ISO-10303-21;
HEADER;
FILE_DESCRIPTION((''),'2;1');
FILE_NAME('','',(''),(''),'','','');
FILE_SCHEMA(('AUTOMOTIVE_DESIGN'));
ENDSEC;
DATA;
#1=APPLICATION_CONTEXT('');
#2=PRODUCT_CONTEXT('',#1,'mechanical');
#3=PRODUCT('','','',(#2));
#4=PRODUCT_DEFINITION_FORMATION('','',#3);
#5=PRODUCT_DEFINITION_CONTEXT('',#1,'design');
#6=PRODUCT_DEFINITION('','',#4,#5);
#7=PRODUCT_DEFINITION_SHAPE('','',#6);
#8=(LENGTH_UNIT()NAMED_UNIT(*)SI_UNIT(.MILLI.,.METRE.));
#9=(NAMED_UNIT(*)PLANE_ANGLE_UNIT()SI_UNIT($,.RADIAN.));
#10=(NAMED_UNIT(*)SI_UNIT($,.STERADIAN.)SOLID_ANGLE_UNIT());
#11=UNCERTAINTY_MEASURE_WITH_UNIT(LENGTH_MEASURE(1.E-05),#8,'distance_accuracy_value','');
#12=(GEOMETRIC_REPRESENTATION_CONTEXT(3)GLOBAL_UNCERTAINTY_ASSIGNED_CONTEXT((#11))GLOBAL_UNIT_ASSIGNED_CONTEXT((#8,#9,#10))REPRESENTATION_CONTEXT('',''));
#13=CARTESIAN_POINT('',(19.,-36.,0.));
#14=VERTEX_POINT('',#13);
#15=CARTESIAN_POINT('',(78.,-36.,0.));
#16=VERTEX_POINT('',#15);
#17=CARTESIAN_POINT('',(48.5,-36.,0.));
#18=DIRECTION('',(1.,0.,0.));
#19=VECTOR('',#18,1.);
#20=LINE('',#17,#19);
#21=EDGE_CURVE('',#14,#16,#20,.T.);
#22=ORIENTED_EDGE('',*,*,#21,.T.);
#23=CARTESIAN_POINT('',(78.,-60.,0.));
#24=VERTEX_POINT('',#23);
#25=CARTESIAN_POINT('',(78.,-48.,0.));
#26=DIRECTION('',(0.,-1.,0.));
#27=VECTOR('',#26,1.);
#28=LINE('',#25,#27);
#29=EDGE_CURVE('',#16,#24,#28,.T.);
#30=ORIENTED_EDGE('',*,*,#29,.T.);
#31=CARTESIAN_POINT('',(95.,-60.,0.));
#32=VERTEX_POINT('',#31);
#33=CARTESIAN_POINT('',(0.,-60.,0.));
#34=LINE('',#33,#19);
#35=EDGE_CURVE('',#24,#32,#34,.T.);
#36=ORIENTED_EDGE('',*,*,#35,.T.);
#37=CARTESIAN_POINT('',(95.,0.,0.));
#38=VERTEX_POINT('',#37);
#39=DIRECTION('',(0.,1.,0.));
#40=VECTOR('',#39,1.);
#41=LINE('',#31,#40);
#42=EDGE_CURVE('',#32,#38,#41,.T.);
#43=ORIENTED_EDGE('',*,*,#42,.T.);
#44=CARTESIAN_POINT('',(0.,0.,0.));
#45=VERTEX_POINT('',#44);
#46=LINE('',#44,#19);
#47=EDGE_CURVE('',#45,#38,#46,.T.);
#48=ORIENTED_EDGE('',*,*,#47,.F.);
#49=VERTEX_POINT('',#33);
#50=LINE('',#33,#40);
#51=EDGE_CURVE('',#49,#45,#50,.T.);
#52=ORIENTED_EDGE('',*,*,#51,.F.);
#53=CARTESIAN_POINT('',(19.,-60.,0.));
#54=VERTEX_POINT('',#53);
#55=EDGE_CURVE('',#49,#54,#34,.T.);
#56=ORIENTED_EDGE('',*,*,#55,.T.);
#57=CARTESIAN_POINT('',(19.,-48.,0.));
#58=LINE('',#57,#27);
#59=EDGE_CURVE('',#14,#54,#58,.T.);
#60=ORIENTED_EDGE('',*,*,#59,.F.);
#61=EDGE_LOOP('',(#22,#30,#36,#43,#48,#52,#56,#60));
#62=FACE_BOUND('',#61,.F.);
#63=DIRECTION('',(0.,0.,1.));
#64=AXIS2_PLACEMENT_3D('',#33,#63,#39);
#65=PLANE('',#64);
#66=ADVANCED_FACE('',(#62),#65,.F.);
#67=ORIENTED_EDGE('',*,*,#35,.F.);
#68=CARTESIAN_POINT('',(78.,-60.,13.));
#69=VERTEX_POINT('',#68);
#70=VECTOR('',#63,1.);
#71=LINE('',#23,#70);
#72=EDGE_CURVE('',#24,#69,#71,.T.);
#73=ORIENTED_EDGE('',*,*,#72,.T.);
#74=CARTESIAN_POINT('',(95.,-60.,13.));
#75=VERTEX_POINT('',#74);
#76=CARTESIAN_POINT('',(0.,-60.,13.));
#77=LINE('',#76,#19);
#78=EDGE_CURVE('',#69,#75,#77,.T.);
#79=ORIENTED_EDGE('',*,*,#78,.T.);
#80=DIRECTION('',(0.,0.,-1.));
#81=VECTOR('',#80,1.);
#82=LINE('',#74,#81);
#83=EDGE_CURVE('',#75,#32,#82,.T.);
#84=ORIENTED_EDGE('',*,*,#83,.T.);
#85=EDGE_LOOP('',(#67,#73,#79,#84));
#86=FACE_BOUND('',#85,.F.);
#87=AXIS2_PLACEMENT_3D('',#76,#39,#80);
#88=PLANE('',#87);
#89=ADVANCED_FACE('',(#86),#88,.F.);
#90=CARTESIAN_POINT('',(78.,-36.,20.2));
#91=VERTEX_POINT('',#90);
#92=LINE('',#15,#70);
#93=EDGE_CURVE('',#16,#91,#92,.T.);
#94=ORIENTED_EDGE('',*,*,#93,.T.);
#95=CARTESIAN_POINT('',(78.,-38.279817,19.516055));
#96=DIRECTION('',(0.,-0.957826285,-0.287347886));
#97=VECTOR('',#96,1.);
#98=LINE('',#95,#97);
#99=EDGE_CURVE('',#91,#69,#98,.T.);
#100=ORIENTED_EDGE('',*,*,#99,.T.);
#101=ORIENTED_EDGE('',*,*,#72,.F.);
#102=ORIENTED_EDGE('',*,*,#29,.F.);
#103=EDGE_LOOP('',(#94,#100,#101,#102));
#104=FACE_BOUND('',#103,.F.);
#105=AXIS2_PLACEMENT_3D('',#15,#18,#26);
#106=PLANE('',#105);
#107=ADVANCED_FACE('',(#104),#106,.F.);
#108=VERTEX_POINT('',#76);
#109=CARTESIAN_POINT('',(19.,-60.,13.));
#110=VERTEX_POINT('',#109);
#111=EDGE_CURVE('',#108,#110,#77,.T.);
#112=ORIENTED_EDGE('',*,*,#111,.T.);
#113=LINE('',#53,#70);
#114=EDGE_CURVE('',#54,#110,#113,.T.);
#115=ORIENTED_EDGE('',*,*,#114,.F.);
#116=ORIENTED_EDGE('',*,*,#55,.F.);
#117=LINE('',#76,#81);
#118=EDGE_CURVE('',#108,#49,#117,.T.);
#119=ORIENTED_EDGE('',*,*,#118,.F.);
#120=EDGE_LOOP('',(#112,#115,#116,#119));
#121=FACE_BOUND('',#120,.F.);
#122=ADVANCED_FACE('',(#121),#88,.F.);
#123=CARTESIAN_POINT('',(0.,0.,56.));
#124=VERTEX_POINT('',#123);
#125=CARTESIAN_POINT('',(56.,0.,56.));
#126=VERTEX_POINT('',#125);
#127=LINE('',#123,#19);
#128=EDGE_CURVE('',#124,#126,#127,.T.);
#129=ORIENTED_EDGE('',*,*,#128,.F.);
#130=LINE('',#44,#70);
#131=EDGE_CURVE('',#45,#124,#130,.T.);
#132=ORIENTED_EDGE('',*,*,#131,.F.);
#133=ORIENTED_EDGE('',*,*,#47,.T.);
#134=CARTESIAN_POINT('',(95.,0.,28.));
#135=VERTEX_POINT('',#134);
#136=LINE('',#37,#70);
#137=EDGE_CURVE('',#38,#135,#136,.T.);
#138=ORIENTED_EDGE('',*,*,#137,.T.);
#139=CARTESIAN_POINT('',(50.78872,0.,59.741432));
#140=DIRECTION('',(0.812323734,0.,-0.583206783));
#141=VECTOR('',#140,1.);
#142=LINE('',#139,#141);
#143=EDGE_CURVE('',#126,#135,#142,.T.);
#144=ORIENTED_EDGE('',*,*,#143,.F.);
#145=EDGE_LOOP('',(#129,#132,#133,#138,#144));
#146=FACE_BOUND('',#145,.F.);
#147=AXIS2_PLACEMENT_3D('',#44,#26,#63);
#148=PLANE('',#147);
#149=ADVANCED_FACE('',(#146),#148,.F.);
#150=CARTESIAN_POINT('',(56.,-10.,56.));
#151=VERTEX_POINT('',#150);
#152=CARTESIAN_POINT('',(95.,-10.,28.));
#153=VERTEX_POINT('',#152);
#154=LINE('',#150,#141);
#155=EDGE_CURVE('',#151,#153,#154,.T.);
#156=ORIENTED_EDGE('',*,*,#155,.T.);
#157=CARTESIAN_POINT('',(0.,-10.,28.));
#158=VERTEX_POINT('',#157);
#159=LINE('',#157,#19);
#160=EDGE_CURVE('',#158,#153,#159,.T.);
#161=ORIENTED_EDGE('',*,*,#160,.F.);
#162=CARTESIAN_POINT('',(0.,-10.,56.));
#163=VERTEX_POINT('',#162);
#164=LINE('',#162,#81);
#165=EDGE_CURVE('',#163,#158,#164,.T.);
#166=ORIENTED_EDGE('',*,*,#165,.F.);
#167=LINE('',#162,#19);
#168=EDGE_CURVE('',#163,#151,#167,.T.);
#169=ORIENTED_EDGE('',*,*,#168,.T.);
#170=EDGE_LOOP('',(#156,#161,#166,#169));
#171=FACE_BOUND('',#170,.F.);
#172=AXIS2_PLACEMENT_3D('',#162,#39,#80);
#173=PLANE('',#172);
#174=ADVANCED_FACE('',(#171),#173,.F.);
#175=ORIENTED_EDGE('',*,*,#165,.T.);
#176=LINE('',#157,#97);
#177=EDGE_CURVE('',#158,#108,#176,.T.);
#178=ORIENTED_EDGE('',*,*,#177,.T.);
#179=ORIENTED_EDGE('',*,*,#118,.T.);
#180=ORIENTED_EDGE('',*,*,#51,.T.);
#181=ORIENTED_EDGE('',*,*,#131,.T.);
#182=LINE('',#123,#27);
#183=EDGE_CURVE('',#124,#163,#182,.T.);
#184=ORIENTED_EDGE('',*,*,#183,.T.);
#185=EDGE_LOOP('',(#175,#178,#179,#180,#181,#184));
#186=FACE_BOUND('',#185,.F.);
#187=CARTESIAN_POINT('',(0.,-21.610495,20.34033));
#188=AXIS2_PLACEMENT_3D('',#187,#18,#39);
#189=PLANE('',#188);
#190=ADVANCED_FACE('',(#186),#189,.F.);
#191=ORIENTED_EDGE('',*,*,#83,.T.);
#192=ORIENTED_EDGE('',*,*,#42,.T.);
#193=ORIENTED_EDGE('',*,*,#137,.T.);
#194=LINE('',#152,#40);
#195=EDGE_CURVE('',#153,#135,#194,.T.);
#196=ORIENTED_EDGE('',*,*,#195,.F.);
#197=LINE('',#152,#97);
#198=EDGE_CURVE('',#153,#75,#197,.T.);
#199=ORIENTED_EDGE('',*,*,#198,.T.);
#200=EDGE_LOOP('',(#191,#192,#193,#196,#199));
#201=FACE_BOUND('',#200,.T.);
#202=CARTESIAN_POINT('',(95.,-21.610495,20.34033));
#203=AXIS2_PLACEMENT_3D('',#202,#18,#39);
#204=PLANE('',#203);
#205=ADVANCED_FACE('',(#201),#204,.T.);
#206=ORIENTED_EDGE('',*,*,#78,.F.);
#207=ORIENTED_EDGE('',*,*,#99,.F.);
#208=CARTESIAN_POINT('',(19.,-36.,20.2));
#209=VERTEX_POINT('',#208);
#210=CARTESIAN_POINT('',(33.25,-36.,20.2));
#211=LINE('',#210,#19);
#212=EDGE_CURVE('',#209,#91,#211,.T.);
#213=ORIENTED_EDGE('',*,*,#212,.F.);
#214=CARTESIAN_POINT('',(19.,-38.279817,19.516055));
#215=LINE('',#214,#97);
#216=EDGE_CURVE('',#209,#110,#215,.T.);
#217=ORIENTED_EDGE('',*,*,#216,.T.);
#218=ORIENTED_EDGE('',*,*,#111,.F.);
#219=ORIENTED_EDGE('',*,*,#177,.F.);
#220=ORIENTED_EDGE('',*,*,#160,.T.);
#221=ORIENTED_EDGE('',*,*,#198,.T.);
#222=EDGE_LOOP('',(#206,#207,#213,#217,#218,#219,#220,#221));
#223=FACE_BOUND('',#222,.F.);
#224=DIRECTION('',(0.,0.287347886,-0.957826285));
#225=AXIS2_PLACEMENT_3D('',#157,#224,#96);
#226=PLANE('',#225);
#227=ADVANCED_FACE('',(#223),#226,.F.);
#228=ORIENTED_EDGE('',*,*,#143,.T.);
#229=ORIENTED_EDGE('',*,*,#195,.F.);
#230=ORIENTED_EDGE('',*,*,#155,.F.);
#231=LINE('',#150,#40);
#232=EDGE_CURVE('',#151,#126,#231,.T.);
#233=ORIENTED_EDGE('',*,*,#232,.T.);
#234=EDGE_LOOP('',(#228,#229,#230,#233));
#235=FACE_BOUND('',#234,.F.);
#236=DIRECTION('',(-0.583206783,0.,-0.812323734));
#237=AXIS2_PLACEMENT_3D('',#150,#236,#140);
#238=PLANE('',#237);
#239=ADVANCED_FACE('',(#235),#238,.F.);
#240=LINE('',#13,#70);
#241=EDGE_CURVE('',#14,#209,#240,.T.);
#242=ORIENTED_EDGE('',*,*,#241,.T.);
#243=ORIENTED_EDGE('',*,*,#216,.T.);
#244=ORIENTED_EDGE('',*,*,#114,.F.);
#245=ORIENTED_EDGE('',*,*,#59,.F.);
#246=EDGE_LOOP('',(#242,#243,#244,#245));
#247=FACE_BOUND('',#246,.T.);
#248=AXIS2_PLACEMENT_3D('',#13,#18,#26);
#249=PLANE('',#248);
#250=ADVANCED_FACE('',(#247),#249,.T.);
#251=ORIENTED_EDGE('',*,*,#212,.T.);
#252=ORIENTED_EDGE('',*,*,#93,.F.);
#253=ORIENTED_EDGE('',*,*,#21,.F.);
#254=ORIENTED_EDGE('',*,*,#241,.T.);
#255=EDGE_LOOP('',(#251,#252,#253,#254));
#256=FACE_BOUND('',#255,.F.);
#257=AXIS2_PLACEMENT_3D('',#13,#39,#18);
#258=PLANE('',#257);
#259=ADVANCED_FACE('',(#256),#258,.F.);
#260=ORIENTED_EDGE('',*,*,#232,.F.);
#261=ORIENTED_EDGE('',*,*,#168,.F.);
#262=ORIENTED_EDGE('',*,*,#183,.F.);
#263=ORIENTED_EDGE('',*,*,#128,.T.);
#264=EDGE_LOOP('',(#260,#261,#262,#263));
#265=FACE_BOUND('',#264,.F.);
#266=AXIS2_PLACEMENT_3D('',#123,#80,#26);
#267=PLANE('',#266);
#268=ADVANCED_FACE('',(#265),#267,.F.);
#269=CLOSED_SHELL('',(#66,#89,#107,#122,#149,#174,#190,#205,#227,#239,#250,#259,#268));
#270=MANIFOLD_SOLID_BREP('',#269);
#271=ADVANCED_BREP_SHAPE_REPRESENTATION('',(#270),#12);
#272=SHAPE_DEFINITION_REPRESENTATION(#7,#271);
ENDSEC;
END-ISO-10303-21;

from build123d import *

# Parameters (mm, degrees)
F1_DEPTH   = 95
F3_DEPTH   = 10.001
F4_W       = 59
F4_H       = 24
F1_FACE2_W = 95
F1_FACE2_H = 52.2015325446
F5_DEPTH   = 56.001


with BuildPart() as f1:
    # F0 (on Right) → F1 (new body)
    with BuildSketch(Plane.YZ):
        Polygon((-60, 0), (0, 0), (0, 56), (-10, 56), (-10, 28), (-60, 13), align=None)
    extrude(amount=F1_DEPTH)

    # F2 (on face) → F3 (cut, through all)
    with BuildSketch(Plane.XZ.offset(10)):
        Polygon((95, 56), (56, 56), (95, 28), align=None)
    extrude(amount=-F3_DEPTH, mode=Mode.SUBTRACT)

    # F4 (on face) + F1_face2 (on face) → F5 (cut, through all)
    with BuildSketch(Plane(origin=(0, 0, 0), x_dir=(1, 0, 0), z_dir=(0, 0, -1))):
        with Locations((48.5, 48)):
            Rectangle(F4_W, F4_H)
    with BuildSketch(Plane(origin=(47.5, -35, 20.5), x_dir=(1, 0, 0), z_dir=(0, -0.2873478856, 0.9578262852))):
        Rectangle(F1_FACE2_W, F1_FACE2_H)
    extrude(amount=-F5_DEPTH, dir=(0, 0, -1), mode=Mode.SUBTRACT)


solid = f1.part
